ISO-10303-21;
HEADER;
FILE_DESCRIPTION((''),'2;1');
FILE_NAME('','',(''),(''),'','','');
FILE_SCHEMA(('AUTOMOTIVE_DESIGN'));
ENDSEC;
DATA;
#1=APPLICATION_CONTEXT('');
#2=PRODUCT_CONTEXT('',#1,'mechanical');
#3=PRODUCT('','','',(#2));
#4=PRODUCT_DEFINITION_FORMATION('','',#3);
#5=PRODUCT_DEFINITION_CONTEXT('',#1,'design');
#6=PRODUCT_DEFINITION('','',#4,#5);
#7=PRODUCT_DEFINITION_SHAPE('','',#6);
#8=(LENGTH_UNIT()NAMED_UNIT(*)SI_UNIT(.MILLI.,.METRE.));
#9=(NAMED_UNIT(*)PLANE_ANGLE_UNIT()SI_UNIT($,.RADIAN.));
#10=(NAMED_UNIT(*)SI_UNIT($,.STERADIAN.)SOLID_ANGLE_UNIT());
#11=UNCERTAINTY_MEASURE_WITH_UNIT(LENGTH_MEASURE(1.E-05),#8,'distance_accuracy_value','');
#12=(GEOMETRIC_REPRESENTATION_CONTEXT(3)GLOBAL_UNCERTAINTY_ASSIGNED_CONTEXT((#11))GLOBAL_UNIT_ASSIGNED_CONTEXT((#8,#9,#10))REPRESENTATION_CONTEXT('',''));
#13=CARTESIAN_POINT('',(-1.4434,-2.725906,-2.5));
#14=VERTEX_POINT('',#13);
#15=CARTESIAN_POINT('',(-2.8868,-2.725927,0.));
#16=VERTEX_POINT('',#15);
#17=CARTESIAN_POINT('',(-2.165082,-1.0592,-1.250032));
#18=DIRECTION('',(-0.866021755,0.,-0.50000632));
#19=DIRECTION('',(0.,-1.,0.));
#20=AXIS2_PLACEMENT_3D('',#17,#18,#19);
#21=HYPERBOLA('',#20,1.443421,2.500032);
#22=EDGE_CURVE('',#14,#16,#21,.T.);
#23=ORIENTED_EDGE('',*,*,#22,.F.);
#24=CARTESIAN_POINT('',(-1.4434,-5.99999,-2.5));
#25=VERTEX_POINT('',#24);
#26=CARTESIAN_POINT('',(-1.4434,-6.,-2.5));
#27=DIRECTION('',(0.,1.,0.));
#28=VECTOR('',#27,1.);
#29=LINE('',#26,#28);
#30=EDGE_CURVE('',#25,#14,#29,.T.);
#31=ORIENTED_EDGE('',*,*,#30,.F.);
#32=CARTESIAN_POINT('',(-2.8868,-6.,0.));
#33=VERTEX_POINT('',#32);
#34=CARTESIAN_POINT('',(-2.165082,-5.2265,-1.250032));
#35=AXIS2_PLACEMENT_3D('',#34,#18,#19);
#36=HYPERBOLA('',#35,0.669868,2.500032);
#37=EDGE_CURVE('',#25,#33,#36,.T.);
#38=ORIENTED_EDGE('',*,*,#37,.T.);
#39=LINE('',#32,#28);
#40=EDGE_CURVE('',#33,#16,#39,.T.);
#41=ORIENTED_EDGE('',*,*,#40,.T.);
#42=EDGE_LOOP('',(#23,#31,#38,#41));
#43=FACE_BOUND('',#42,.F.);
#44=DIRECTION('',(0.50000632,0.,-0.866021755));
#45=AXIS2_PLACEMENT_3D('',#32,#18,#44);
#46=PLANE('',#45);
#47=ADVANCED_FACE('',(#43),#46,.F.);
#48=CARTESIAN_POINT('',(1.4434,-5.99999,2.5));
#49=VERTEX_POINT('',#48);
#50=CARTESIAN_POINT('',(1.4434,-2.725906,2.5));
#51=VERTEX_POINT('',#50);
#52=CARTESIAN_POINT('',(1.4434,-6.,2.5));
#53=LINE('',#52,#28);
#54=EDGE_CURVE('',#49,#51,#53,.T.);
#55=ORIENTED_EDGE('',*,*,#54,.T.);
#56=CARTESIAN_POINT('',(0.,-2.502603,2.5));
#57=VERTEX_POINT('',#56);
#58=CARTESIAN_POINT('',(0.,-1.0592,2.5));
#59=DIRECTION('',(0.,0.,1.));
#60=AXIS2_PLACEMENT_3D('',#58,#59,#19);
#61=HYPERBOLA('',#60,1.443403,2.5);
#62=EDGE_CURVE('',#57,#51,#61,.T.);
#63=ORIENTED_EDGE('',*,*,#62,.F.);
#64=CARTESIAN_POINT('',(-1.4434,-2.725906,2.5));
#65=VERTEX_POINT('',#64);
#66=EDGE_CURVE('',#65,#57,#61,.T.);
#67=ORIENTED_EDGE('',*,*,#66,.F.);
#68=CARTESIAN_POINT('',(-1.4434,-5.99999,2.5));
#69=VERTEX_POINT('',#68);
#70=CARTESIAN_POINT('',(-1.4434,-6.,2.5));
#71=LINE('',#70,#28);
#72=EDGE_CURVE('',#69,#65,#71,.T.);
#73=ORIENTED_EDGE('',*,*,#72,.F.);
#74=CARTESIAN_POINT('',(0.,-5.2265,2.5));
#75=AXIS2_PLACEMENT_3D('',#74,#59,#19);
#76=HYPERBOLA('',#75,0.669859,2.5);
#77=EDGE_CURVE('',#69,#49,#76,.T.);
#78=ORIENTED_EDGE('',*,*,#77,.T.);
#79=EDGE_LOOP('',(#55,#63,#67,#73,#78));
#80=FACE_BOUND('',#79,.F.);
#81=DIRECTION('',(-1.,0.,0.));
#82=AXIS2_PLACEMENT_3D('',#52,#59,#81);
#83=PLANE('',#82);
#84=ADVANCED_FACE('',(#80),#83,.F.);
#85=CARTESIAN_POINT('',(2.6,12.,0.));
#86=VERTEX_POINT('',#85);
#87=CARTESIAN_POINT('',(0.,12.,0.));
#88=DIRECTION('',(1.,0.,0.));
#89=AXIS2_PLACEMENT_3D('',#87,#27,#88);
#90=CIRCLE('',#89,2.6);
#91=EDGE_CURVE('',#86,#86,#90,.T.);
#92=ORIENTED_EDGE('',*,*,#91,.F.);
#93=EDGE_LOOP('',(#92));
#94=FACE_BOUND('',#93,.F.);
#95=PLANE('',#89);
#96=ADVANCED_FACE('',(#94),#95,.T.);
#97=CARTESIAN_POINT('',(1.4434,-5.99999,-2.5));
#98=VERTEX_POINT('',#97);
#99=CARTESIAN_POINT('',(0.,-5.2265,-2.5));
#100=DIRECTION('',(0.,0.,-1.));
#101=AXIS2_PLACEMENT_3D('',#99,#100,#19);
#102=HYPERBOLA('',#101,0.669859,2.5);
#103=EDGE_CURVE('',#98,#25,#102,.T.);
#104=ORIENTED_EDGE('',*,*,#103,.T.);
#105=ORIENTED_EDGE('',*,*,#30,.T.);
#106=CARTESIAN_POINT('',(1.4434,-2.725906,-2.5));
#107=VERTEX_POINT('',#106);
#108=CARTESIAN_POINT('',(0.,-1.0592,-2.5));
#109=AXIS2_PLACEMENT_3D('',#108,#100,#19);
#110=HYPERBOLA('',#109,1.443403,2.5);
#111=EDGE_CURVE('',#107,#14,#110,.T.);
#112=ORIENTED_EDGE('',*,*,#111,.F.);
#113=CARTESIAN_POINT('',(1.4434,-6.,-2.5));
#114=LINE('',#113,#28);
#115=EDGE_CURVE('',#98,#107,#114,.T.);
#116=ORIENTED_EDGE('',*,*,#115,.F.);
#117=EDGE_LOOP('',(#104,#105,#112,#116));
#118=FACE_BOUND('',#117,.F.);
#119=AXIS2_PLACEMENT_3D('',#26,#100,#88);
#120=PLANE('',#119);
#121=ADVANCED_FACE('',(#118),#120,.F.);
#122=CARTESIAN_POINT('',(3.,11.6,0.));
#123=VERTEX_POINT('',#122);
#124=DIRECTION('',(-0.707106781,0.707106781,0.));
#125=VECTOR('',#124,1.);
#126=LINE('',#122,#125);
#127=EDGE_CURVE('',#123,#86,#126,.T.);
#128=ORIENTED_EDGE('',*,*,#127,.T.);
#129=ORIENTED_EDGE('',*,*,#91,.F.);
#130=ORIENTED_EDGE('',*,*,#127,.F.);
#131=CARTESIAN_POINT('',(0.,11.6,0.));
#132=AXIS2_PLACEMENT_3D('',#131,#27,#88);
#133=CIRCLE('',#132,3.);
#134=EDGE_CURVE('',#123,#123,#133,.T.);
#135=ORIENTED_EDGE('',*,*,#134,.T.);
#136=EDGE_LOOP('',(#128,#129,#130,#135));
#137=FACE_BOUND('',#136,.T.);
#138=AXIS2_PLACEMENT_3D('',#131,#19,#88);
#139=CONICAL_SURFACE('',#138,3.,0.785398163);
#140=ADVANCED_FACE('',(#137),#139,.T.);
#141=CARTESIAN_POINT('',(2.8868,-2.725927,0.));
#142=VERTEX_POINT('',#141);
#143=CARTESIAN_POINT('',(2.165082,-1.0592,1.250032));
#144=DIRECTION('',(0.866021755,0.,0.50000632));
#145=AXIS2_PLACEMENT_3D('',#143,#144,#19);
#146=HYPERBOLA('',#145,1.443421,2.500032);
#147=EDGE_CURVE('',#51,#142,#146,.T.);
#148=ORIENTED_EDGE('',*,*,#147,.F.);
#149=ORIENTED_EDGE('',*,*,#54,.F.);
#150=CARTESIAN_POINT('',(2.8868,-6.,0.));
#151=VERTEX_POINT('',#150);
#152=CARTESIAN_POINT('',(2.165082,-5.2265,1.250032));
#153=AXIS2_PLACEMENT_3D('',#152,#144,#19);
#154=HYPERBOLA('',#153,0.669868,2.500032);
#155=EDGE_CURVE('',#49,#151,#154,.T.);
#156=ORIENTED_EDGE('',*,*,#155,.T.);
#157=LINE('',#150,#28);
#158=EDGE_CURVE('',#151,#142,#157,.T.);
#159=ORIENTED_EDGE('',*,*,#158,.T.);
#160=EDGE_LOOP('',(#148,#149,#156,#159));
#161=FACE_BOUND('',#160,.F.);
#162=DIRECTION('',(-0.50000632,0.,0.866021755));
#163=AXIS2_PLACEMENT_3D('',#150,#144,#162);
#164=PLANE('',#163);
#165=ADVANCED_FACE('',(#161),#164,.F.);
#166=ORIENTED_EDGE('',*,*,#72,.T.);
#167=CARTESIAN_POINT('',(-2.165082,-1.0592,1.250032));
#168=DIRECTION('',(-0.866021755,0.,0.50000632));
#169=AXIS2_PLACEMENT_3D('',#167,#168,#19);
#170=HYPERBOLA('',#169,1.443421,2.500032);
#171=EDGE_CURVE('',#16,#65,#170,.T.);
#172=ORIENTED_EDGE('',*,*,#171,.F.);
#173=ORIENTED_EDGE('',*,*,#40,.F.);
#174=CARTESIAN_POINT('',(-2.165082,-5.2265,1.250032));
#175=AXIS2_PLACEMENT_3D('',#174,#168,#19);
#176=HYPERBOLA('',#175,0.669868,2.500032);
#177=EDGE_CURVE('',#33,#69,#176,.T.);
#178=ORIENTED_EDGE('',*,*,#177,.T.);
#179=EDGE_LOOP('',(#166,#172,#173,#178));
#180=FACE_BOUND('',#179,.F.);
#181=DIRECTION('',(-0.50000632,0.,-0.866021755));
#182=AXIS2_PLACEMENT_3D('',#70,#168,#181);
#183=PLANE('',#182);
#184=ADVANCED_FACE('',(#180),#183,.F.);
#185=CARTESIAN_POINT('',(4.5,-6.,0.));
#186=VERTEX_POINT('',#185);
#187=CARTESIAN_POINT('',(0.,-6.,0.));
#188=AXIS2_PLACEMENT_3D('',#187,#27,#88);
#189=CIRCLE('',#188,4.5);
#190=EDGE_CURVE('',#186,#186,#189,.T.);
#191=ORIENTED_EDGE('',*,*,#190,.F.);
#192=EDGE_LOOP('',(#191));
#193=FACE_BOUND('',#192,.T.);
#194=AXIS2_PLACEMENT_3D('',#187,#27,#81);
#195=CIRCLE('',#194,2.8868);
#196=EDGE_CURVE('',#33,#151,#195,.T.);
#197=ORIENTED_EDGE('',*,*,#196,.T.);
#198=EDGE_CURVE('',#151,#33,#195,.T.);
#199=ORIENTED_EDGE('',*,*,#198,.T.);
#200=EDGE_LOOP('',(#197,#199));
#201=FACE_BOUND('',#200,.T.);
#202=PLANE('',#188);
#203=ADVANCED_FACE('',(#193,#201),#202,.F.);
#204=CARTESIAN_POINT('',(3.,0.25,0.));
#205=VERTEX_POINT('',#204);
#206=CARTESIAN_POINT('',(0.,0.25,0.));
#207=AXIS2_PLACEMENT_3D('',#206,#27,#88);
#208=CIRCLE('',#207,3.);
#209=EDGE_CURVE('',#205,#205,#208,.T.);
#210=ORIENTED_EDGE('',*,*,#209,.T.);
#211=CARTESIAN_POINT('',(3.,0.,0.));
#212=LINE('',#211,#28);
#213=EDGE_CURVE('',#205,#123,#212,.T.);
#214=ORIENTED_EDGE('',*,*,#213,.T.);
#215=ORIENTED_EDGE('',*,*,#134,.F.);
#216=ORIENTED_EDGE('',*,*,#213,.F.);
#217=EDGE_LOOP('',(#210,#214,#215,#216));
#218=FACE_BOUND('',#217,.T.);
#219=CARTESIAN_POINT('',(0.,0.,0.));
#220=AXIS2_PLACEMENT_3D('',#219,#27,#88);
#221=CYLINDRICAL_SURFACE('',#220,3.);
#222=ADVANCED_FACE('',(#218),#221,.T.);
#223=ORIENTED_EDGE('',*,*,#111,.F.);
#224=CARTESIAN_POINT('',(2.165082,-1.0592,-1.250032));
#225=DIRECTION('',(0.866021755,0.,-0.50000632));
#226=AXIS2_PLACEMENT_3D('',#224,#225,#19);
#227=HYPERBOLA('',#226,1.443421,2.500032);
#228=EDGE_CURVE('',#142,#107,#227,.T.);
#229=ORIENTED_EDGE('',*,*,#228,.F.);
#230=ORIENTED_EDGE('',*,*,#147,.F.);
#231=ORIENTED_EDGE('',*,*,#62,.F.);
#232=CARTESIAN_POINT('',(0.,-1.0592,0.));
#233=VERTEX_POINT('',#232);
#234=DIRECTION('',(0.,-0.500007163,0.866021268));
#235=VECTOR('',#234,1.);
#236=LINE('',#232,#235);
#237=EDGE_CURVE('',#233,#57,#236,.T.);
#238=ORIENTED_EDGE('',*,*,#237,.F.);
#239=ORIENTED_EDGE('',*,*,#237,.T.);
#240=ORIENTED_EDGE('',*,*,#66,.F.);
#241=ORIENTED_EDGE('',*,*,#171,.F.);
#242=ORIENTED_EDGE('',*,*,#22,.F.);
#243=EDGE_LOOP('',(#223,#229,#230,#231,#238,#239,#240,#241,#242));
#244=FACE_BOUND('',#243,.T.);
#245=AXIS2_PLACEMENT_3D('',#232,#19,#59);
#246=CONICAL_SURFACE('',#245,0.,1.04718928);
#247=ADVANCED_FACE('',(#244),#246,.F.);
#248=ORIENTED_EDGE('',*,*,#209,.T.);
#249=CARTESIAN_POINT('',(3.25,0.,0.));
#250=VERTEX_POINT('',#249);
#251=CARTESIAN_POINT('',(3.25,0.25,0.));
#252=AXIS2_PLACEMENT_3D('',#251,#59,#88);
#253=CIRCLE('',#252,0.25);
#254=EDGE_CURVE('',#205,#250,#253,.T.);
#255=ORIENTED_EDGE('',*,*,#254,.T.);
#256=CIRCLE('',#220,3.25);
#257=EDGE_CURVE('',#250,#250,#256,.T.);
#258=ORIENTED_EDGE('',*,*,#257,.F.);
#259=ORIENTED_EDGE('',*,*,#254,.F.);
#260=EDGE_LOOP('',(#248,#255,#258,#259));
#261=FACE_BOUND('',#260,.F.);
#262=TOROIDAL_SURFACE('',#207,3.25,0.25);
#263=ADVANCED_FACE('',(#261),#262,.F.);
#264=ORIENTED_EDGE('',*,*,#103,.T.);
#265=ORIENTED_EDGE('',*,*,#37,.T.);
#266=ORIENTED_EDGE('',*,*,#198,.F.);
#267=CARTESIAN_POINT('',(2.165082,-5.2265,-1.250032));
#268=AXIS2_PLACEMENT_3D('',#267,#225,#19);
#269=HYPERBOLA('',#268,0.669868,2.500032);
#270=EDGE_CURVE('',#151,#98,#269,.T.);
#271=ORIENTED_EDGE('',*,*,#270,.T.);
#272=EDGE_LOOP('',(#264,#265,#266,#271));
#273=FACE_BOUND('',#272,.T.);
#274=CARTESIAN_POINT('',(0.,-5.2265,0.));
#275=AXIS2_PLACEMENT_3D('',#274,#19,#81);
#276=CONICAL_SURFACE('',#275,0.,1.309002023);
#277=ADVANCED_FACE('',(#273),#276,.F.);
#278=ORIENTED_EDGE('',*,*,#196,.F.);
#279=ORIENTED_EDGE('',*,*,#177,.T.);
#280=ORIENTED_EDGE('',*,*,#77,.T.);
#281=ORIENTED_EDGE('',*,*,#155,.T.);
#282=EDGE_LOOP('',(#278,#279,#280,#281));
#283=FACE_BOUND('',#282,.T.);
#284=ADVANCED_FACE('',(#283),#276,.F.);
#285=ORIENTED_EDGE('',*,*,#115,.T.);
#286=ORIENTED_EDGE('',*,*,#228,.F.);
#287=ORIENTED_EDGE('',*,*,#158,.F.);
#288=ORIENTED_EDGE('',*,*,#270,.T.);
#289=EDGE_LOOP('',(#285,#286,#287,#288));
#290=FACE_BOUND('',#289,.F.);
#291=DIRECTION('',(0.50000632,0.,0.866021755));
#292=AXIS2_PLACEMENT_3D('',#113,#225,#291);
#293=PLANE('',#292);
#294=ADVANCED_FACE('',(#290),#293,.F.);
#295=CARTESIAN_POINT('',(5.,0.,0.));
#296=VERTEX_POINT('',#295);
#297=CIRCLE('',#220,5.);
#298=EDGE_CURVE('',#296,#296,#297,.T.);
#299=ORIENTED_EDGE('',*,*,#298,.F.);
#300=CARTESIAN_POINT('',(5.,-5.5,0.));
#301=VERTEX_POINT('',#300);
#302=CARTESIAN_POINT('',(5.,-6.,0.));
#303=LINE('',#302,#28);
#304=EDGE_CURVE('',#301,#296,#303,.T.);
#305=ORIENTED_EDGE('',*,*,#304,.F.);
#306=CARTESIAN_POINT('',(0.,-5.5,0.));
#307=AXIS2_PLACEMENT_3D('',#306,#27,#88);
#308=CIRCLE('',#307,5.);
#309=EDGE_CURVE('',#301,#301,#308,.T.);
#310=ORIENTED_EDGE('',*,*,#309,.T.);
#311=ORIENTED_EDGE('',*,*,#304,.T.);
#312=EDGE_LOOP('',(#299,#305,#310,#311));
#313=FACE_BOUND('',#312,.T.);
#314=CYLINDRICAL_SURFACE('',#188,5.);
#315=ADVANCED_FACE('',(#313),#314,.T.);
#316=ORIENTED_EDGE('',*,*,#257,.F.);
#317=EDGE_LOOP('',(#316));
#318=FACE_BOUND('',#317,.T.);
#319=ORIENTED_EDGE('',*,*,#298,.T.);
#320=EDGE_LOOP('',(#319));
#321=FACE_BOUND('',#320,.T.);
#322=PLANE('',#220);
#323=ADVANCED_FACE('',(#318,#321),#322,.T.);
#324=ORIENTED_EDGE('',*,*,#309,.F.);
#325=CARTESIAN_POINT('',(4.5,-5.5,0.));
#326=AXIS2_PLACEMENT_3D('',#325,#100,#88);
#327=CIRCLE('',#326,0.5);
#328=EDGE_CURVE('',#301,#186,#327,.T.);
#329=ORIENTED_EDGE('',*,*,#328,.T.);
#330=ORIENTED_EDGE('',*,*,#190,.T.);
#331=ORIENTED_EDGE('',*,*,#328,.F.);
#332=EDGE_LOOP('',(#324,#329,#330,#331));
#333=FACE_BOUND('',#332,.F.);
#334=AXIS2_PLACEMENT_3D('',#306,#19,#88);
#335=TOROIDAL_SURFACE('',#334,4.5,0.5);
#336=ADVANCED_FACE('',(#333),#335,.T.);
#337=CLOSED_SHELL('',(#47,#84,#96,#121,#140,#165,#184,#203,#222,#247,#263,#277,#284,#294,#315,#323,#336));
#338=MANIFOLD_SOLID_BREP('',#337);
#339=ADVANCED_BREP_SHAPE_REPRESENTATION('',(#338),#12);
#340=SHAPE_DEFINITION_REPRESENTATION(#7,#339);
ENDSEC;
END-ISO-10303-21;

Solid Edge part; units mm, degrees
sketch "Sketch1" plane through (0, 0, 0) normal (0, 0, 1) x (1, 0, 0)
  line L0 (3, 0) -> (3, 12)
  line L1 (0, 12) -> (3, 12)
  line L2 (0, 0) -> (0, 12)
  line L3 (0, 0) -> (0, -6)
  line L4 (0, -6) -> (5, -6)
  line L5 (5, -6) -> (5, 0)
  line L6 (5, 0) -> (3, 0)
revolve "RevolvedProtrusion1" add sketch "Sketch1" angle 360 about axis through (0, 0, 0) along (0, 1, 0)
sketch "Sketch2" plane through (0, 0, 0) normal (1, 0, 0) x (0, 1, 0)
  line L0 (-6, 3.3615) -> (-3, 3.3615)
  line L1 (-1.0592, 0) -> (-3, 3.3615)
  line L2 (-6, 0) -> (-1.0592, 0)
  line L3 (-6, 0) -> (-6, 3.3615)
revolve "RevolvedCutout1" cut sketch "Sketch2" angle 360 about axis through (0, -4.5, 0) along (0, 1, 0)
sketch "Sketch3" plane through (0, -6, 0) normal (0, -1, 0) x (0, 0, 1)
  circle A0 centre (0, 0) radius 3.3615
  line L0 (-2.5, -1.4434) -> (0, -2.8868)
  line L1 (0, -2.8868) -> (2.5, -1.4434)
  line L2 (2.5, -1.4434) -> (2.5, 1.4434)
  line L3 (2.5, 1.4434) -> (0, 2.8868)
  line L4 (0, 2.8868) -> (-2.5, 1.4434)
  line L5 (-2.5, 1.4434) -> (-2.5, -1.4434)
  dimension "D1" = 5
extrude "Protrusion1" add sketch "Sketch3" against normal up to next
sketch "Sketch4" plane through (0, 0, 0) normal (0, 0, 1) x (1, 0, 0)
  line L0 (-2.8868, -6) -> (0, -6)
  line L1 (0, -6) -> (0, -5.2265)
  line L2 (0, -5.2265) -> (-2.8868, -6)
revolve "RevolvedCutout2" cut sketch "Sketch4" angle 360 about axis through (0, -4.5, 0) along (0, 1, 0)
fillet "Round1" radius 0.25 1 edges at (0, 0, -3)
fillet "Round2" radius 0.5 1 edges at (0, -6, -5)
chamfer "倒斜角_2" distance 0.4 angle 45 1 edges at (0, 12, -3)
cosmetic_thread "螺纹_3" size "M6" thread depth 9.6
